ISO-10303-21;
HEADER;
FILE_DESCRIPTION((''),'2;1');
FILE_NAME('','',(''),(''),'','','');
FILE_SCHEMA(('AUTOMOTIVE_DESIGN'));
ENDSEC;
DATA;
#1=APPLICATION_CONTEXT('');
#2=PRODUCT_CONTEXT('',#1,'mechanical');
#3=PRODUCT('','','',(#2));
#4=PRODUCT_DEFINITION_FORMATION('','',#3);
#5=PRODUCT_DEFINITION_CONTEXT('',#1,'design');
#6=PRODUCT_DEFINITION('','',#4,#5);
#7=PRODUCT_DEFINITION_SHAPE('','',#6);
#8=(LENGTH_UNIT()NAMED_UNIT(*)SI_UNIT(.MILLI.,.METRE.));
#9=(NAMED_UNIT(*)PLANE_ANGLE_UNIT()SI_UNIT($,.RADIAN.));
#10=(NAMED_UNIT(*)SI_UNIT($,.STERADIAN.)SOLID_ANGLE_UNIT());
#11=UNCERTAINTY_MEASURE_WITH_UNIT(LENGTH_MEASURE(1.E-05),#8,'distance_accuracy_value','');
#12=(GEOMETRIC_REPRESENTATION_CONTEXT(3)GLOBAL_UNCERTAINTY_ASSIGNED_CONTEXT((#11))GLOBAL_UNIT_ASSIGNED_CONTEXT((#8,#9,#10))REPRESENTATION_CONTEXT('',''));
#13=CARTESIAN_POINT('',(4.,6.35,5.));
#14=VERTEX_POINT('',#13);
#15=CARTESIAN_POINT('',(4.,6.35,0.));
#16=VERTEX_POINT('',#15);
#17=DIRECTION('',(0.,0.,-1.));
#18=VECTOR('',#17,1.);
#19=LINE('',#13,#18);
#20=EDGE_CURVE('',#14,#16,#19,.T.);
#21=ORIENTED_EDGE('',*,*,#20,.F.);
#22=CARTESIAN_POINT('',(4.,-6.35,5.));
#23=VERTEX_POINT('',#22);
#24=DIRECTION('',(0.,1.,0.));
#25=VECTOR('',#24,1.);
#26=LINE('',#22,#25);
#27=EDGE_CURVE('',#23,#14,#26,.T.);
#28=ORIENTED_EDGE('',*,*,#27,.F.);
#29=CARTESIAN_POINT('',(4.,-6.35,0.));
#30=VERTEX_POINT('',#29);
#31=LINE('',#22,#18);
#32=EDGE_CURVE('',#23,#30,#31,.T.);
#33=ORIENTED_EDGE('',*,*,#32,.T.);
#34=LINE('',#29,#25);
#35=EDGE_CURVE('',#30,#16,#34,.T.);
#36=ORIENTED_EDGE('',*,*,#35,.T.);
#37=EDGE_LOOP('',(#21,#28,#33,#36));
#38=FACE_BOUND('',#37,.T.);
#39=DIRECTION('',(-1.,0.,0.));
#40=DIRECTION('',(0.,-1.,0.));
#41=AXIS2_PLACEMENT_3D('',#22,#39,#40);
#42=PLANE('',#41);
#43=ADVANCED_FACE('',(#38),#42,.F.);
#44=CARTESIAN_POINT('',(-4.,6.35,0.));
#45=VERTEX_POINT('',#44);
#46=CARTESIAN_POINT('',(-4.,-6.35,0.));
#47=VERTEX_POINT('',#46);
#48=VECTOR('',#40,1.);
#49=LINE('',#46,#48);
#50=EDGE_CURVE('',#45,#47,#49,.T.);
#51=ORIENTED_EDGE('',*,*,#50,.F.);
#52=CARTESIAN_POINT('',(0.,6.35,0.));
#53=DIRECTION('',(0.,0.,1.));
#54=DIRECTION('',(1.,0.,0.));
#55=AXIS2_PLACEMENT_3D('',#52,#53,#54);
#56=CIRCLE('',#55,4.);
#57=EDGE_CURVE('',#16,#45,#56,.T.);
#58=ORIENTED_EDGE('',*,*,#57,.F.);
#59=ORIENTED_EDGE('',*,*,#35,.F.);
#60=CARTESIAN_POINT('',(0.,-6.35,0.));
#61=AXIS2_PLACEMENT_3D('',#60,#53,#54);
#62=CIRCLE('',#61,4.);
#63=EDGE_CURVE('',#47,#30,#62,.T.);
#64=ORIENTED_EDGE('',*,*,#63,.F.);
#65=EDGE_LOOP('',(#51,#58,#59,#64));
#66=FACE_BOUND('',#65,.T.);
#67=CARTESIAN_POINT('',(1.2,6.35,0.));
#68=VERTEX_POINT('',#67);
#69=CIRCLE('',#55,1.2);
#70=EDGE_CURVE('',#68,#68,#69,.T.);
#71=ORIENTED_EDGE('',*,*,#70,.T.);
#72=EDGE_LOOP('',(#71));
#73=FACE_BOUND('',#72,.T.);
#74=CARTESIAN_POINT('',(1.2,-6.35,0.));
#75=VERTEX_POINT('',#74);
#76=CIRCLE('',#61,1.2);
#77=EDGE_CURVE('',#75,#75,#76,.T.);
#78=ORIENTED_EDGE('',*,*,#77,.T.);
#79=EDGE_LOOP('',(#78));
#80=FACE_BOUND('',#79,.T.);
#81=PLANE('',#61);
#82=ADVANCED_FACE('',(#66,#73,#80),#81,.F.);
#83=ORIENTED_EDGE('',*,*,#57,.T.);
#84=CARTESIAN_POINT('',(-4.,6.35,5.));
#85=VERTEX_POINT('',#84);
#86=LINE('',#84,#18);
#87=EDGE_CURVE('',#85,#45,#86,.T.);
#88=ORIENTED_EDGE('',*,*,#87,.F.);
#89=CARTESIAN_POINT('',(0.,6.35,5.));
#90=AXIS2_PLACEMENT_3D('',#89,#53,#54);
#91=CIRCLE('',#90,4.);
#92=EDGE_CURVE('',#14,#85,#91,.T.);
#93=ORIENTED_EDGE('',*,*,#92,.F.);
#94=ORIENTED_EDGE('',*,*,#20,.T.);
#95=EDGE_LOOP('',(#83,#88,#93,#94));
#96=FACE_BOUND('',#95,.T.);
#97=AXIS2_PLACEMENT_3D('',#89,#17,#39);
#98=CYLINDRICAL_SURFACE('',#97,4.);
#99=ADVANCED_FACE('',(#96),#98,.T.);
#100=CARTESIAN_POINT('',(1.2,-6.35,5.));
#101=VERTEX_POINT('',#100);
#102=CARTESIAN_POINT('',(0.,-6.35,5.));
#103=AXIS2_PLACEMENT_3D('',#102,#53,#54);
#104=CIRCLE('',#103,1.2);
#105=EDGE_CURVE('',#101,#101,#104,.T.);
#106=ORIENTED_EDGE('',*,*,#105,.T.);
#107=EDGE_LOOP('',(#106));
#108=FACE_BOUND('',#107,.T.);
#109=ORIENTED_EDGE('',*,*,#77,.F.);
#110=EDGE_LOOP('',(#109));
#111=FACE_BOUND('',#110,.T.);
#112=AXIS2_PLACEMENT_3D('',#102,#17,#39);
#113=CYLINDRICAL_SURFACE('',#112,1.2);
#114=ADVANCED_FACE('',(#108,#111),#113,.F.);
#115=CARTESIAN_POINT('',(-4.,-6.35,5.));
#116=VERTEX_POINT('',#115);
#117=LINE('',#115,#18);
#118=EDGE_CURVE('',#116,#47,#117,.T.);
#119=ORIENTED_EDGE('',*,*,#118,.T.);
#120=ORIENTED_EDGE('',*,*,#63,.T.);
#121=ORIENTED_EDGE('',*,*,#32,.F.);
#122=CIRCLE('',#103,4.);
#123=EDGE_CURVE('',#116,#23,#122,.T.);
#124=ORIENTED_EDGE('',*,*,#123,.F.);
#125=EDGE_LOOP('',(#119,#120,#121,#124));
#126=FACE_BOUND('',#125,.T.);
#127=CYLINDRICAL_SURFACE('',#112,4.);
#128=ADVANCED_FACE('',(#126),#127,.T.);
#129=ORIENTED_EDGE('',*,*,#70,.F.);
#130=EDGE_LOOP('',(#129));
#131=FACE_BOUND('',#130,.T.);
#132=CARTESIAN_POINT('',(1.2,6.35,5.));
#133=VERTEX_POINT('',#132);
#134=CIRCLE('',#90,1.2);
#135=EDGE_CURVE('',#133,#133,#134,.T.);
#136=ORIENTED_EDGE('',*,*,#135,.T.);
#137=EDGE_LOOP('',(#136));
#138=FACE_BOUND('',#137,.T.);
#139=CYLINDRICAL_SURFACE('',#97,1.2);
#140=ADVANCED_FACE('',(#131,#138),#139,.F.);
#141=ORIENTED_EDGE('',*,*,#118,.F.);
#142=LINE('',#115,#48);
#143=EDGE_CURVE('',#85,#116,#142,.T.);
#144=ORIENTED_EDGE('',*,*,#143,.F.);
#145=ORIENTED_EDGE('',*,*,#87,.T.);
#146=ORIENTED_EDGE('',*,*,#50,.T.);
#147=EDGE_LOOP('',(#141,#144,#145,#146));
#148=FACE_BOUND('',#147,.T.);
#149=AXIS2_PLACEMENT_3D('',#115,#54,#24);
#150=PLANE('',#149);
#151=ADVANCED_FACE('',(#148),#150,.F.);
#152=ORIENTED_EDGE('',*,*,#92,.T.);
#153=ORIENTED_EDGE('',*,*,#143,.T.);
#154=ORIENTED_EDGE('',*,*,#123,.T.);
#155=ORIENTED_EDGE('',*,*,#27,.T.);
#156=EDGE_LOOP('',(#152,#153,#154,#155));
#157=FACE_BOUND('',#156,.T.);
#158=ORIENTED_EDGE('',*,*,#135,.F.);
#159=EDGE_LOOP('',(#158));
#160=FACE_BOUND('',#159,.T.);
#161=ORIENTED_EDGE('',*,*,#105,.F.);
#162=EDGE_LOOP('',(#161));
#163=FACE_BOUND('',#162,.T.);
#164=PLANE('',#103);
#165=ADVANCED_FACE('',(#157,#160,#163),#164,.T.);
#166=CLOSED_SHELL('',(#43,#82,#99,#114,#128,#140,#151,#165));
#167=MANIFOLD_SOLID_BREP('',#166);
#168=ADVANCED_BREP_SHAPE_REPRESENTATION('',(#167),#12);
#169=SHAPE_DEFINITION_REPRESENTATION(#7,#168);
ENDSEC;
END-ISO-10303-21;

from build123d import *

# Parameters (mm, degrees)
SKETCH_1_R      = 1.2
EXTRUDE_1_DEPTH = 5


with BuildPart() as part:
    # 草图1 → 凸台-拉伸1 (new body)
    with BuildSketch(Plane.XY):
        with BuildLine():
            Line((-4, -6.35), (-4, 6.35))
            ThreePointArc((-4, 6.35), (0, 10.35), (4, 6.35))
            Line((4, 6.35), (4, -6.35))
            ThreePointArc((4, -6.35), (0, -10.35), (-4, -6.35))
        make_face()
        with Locations((0, 6.35)):
            Circle(SKETCH_1_R, mode=Mode.SUBTRACT)
        with Locations((0, -6.35)):
            Circle(SKETCH_1_R, mode=Mode.SUBTRACT)
    extrude(amount=EXTRUDE_1_DEPTH)


solid = part.part
